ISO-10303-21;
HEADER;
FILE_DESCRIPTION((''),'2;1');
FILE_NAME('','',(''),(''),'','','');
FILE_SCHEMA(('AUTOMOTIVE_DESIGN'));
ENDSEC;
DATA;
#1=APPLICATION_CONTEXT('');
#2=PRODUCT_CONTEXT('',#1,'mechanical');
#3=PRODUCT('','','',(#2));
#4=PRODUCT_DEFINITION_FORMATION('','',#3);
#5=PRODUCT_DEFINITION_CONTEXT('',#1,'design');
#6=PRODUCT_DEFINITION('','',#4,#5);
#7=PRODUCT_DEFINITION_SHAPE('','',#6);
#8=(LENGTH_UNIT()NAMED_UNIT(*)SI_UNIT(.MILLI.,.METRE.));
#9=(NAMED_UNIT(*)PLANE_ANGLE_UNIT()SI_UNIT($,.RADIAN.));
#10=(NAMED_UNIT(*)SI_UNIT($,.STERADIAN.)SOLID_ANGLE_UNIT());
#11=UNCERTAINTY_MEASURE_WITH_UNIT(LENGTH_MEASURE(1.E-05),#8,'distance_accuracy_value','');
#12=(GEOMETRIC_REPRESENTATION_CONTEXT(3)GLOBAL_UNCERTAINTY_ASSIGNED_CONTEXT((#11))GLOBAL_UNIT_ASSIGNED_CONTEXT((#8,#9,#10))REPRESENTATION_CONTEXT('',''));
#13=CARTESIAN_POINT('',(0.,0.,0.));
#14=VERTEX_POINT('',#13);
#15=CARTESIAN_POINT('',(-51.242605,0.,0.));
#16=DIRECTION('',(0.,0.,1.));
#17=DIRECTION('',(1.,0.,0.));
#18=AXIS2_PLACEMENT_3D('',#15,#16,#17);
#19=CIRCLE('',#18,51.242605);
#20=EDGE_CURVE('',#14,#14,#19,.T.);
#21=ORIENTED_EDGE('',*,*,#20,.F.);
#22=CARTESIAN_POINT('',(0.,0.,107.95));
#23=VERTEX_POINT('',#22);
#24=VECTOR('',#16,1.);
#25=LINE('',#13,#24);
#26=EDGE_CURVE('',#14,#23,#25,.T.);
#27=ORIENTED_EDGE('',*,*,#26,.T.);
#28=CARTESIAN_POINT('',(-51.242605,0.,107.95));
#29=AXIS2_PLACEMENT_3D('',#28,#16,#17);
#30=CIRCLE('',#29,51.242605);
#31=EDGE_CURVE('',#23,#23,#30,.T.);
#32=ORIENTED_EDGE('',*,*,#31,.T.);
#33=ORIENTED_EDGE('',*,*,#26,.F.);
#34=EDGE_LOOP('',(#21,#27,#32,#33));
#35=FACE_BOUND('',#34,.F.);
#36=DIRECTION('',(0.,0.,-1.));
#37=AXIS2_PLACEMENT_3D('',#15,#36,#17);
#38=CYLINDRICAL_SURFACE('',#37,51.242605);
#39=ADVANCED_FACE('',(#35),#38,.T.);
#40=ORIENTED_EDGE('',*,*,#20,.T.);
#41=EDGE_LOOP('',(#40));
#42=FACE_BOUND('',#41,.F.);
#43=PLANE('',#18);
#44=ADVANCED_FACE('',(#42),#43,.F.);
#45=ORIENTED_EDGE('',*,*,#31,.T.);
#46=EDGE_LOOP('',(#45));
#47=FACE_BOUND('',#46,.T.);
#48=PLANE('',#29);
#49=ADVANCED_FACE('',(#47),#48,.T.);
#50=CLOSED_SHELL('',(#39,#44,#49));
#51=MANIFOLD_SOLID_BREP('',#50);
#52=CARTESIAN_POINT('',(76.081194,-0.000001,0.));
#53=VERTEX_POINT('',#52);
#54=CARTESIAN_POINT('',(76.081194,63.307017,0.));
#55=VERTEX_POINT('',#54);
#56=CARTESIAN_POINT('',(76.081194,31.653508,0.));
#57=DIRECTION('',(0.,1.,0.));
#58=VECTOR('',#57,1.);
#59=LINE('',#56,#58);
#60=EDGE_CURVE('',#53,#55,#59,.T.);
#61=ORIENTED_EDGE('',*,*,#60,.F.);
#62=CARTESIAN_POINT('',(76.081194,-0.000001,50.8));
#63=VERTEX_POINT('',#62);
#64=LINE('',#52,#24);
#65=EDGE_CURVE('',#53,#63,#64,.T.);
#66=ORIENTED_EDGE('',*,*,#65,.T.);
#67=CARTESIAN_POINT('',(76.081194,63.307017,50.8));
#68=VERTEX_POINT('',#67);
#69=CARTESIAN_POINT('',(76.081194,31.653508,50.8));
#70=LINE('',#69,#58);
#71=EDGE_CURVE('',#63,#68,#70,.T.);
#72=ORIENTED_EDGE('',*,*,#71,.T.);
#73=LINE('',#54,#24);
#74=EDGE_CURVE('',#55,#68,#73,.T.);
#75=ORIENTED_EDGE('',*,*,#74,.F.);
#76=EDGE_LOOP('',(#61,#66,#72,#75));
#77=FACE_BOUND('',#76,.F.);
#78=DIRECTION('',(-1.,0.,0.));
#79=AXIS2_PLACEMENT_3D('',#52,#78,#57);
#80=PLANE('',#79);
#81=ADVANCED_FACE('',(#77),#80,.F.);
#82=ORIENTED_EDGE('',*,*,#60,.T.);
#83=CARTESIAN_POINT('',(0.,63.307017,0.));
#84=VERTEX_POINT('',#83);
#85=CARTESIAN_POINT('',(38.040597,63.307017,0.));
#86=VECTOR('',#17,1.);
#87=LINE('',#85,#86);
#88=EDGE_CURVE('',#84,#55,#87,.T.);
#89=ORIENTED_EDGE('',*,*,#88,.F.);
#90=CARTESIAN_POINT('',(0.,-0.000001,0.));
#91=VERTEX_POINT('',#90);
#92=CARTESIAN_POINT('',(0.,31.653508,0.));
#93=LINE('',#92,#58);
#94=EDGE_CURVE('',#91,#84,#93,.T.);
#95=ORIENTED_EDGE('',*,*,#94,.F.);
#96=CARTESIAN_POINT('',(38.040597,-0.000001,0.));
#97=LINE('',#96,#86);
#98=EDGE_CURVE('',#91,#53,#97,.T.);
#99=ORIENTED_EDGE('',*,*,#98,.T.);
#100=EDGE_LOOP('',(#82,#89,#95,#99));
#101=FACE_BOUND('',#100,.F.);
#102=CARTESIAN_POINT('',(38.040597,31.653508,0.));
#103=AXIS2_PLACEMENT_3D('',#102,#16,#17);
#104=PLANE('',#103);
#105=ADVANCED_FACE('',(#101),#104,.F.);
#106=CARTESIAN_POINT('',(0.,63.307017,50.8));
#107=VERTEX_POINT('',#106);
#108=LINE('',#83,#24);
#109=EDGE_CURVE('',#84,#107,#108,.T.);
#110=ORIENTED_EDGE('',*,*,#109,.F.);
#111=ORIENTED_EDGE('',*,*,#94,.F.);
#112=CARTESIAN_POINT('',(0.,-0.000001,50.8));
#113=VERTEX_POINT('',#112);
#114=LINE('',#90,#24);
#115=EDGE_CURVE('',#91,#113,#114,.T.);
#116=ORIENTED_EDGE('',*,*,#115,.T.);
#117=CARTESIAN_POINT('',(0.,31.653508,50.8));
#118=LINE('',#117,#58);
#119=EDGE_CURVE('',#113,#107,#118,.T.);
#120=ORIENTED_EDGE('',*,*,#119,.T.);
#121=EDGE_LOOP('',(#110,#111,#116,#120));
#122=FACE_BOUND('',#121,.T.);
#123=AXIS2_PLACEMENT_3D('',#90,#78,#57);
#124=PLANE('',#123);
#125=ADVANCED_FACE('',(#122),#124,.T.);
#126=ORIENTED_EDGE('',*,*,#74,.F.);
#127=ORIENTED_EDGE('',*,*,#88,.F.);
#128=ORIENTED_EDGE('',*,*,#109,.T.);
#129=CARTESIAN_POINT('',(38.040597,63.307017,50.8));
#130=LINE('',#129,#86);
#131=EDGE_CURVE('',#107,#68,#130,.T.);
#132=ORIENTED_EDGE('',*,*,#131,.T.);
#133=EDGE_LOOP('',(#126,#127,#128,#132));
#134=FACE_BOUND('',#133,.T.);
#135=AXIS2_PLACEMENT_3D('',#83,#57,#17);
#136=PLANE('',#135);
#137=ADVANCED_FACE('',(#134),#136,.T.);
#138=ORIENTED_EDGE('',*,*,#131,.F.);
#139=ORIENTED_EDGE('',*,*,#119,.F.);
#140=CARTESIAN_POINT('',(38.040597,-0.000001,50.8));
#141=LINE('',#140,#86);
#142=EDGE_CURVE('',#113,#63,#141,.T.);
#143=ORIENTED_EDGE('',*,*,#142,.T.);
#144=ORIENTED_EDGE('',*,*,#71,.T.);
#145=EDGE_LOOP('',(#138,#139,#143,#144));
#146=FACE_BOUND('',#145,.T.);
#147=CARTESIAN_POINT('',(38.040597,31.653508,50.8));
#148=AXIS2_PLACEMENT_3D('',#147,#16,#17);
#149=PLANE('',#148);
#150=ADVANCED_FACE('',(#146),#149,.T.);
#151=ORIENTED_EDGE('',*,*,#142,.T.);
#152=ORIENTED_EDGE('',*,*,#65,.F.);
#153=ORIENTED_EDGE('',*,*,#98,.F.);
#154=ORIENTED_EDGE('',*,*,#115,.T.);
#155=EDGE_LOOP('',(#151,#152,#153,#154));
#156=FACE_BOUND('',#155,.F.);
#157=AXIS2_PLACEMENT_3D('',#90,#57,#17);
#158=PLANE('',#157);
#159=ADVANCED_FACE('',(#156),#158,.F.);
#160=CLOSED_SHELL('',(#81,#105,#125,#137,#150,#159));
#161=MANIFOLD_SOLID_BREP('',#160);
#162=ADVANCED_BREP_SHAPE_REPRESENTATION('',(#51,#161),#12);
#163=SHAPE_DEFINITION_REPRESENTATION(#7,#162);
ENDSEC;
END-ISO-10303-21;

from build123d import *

# Parameters (mm, degrees)
F0_R     = 51.242605
F1_DEPTH = 107.95
F2_W     = 76.081194
F2_H     = 63.307017
F3_DEPTH = 50.8


with BuildPart() as f1:
    # F0 (on Top) → F1 (new body)
    with BuildSketch(Plane.XY):
        with Locations((-51.242605, 0)):
            Circle(F0_R)
    extrude(amount=F1_DEPTH)


with BuildPart() as f3:
    # F2 (on Top) → F3 (new body)
    with BuildSketch(Plane.XY):
        with Locations((38.040597, 31.653508)):
            Rectangle(F2_W, F2_H)
    extrude(amount=F3_DEPTH)


solid = Compound([f1.part, f3.part])
